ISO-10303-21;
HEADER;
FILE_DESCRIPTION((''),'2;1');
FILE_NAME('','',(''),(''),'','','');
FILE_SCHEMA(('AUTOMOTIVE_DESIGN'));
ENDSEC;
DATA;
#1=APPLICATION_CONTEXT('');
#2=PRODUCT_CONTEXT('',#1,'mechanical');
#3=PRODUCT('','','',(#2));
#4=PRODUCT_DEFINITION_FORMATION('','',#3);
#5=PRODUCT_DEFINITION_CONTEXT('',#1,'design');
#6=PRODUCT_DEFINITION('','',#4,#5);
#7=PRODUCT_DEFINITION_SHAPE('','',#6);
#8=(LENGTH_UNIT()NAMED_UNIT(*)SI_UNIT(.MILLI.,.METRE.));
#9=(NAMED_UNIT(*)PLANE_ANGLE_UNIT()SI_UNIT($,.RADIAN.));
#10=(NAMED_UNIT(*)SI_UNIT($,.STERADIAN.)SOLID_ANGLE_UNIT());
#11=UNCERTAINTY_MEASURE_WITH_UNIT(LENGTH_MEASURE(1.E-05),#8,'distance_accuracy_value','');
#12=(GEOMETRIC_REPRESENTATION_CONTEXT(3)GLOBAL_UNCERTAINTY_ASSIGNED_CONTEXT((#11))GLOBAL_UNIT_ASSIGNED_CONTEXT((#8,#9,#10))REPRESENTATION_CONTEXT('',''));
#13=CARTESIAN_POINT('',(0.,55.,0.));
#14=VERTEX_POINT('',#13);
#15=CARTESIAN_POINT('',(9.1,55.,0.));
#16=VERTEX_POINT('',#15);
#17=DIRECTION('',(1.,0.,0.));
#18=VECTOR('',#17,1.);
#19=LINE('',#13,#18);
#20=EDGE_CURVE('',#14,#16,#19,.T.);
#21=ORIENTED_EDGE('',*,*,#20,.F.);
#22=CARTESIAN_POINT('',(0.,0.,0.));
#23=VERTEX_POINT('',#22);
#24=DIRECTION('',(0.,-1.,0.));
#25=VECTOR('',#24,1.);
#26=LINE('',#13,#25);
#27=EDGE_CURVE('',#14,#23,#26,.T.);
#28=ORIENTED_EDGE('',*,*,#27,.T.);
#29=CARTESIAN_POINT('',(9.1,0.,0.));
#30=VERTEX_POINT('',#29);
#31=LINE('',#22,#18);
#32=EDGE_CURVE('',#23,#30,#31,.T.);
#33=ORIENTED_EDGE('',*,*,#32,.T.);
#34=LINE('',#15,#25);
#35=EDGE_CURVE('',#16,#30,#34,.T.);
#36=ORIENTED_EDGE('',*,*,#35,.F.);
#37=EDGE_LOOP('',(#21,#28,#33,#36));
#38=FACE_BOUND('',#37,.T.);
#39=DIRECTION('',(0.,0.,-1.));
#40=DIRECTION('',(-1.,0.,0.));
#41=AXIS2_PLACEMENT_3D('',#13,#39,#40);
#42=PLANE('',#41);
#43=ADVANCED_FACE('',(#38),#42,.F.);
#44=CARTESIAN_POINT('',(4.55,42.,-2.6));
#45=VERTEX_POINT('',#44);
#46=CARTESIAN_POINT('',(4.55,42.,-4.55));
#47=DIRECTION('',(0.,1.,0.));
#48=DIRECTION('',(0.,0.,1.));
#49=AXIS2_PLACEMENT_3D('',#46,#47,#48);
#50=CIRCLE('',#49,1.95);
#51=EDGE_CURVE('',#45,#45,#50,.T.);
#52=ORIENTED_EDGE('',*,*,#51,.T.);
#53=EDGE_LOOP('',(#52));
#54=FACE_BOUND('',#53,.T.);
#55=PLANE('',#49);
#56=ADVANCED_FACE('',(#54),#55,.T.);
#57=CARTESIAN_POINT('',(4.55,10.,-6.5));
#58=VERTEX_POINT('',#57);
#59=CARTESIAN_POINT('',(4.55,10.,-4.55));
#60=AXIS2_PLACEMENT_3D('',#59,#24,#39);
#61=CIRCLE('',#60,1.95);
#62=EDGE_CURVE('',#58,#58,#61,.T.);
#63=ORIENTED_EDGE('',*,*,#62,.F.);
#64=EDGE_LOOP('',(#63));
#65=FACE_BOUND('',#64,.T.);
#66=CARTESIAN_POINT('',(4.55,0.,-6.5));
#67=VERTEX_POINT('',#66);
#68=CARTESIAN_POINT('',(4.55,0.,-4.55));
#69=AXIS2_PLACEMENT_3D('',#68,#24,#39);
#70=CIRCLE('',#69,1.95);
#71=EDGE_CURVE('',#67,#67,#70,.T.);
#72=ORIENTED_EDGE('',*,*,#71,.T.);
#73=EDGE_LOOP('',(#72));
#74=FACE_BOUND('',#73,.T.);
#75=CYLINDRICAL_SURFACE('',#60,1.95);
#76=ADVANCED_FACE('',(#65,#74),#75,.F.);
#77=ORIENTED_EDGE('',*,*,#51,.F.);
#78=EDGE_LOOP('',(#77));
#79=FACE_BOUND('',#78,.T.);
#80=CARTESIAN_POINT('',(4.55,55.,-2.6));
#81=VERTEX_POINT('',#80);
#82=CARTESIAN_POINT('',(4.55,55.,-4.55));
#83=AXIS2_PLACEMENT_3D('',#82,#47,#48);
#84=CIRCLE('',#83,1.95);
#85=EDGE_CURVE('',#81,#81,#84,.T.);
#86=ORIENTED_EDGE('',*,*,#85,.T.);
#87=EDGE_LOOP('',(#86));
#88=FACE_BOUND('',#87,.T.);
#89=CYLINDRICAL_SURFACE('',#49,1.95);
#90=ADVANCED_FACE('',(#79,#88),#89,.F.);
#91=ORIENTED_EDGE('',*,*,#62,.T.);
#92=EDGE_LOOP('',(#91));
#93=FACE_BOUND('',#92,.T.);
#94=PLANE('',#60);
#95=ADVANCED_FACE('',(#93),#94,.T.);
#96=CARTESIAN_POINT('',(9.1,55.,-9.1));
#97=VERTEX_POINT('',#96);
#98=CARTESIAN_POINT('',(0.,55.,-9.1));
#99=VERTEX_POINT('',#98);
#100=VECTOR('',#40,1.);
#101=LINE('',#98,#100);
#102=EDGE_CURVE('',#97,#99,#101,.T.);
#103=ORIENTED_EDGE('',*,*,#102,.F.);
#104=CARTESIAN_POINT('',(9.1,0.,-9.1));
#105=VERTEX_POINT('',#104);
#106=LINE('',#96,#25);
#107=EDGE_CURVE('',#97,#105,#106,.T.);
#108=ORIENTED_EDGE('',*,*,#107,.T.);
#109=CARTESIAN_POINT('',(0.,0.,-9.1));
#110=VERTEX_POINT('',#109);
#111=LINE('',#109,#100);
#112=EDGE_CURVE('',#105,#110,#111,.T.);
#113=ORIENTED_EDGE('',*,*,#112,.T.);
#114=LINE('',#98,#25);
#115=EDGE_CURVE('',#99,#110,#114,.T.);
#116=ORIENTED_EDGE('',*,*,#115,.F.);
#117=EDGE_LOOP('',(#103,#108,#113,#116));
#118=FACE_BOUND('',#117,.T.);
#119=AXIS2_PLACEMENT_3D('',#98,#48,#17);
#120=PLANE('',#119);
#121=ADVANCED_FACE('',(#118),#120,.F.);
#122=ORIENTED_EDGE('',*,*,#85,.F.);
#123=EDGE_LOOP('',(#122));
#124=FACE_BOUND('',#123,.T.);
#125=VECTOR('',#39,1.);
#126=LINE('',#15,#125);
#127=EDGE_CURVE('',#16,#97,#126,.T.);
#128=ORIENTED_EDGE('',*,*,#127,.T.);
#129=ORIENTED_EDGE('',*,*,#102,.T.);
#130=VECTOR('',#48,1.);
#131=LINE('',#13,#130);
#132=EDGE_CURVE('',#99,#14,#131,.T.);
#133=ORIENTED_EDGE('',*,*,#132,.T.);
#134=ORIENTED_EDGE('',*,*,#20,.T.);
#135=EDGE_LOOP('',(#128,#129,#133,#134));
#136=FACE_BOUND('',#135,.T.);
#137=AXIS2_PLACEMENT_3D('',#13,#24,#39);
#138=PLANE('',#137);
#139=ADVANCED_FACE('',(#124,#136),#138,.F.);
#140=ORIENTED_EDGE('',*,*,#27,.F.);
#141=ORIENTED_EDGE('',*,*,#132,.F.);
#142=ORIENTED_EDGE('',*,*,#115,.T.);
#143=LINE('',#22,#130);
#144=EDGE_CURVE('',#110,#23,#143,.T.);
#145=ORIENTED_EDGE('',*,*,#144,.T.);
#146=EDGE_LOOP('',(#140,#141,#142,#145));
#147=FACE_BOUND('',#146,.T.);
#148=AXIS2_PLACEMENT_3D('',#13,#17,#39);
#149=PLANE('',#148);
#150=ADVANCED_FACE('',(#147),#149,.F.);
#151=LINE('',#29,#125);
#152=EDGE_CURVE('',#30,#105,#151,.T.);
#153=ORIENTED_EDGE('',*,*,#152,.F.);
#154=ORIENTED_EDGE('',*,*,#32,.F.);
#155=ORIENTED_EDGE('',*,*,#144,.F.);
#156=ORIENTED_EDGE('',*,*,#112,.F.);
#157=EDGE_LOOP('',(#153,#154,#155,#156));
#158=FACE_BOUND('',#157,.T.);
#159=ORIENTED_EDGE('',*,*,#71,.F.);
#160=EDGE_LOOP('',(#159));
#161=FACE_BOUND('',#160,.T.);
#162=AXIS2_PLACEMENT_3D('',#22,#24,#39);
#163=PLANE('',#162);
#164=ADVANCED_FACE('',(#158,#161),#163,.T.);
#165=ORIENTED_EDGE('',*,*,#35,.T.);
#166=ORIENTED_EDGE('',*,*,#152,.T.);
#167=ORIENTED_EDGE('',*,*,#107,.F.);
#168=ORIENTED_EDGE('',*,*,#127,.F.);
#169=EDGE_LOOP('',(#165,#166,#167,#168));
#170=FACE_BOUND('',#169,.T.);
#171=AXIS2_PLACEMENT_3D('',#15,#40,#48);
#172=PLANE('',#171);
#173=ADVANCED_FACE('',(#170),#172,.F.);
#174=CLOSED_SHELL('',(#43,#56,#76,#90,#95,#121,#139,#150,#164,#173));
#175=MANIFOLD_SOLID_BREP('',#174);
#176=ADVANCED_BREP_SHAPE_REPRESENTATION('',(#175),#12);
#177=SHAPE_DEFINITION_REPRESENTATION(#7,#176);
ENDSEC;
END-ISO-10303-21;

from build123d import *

# Parameters (mm, degrees)
CROQUIS1_W              = 9.1
CROQUIS1_H              = 9.1
SALIENTE_EXTRUIR1_DEPTH = 55
CROQUIS2_R              = 1.95
CORTAR_EXTRUIR1_DEPTH   = 13
CROQUIS3_R              = 1.95
CORTAR_EXTRUIR2_DEPTH   = 10


with BuildPart() as part:
    # Croquis1 → Saliente-Extruir1 (new body)
    with BuildSketch(Plane(origin=(0, 0, 0), x_dir=(1, 0, 0), z_dir=(0, 1, 0))):
        with Locations((4.55, 4.55)):
            Rectangle(CROQUIS1_W, CROQUIS1_H)
    extrude(amount=SALIENTE_EXTRUIR1_DEPTH)

    # Croquis2 → Cortar-Extruir1 (cut)
    with BuildSketch(Plane(origin=(0, 55, 0), x_dir=(1, 0, 0), z_dir=(0, 1, 0))):
        with Locations((4.55, 4.55)):
            Circle(CROQUIS2_R)
    extrude(amount=-CORTAR_EXTRUIR1_DEPTH, mode=Mode.SUBTRACT)

    # Croquis3 → Cortar-Extruir2 (cut)
    with BuildSketch(Plane.XZ):
        with Locations((4.55, -4.55)):
            Circle(CROQUIS3_R)
    extrude(amount=-CORTAR_EXTRUIR2_DEPTH, mode=Mode.SUBTRACT)


solid = part.part
